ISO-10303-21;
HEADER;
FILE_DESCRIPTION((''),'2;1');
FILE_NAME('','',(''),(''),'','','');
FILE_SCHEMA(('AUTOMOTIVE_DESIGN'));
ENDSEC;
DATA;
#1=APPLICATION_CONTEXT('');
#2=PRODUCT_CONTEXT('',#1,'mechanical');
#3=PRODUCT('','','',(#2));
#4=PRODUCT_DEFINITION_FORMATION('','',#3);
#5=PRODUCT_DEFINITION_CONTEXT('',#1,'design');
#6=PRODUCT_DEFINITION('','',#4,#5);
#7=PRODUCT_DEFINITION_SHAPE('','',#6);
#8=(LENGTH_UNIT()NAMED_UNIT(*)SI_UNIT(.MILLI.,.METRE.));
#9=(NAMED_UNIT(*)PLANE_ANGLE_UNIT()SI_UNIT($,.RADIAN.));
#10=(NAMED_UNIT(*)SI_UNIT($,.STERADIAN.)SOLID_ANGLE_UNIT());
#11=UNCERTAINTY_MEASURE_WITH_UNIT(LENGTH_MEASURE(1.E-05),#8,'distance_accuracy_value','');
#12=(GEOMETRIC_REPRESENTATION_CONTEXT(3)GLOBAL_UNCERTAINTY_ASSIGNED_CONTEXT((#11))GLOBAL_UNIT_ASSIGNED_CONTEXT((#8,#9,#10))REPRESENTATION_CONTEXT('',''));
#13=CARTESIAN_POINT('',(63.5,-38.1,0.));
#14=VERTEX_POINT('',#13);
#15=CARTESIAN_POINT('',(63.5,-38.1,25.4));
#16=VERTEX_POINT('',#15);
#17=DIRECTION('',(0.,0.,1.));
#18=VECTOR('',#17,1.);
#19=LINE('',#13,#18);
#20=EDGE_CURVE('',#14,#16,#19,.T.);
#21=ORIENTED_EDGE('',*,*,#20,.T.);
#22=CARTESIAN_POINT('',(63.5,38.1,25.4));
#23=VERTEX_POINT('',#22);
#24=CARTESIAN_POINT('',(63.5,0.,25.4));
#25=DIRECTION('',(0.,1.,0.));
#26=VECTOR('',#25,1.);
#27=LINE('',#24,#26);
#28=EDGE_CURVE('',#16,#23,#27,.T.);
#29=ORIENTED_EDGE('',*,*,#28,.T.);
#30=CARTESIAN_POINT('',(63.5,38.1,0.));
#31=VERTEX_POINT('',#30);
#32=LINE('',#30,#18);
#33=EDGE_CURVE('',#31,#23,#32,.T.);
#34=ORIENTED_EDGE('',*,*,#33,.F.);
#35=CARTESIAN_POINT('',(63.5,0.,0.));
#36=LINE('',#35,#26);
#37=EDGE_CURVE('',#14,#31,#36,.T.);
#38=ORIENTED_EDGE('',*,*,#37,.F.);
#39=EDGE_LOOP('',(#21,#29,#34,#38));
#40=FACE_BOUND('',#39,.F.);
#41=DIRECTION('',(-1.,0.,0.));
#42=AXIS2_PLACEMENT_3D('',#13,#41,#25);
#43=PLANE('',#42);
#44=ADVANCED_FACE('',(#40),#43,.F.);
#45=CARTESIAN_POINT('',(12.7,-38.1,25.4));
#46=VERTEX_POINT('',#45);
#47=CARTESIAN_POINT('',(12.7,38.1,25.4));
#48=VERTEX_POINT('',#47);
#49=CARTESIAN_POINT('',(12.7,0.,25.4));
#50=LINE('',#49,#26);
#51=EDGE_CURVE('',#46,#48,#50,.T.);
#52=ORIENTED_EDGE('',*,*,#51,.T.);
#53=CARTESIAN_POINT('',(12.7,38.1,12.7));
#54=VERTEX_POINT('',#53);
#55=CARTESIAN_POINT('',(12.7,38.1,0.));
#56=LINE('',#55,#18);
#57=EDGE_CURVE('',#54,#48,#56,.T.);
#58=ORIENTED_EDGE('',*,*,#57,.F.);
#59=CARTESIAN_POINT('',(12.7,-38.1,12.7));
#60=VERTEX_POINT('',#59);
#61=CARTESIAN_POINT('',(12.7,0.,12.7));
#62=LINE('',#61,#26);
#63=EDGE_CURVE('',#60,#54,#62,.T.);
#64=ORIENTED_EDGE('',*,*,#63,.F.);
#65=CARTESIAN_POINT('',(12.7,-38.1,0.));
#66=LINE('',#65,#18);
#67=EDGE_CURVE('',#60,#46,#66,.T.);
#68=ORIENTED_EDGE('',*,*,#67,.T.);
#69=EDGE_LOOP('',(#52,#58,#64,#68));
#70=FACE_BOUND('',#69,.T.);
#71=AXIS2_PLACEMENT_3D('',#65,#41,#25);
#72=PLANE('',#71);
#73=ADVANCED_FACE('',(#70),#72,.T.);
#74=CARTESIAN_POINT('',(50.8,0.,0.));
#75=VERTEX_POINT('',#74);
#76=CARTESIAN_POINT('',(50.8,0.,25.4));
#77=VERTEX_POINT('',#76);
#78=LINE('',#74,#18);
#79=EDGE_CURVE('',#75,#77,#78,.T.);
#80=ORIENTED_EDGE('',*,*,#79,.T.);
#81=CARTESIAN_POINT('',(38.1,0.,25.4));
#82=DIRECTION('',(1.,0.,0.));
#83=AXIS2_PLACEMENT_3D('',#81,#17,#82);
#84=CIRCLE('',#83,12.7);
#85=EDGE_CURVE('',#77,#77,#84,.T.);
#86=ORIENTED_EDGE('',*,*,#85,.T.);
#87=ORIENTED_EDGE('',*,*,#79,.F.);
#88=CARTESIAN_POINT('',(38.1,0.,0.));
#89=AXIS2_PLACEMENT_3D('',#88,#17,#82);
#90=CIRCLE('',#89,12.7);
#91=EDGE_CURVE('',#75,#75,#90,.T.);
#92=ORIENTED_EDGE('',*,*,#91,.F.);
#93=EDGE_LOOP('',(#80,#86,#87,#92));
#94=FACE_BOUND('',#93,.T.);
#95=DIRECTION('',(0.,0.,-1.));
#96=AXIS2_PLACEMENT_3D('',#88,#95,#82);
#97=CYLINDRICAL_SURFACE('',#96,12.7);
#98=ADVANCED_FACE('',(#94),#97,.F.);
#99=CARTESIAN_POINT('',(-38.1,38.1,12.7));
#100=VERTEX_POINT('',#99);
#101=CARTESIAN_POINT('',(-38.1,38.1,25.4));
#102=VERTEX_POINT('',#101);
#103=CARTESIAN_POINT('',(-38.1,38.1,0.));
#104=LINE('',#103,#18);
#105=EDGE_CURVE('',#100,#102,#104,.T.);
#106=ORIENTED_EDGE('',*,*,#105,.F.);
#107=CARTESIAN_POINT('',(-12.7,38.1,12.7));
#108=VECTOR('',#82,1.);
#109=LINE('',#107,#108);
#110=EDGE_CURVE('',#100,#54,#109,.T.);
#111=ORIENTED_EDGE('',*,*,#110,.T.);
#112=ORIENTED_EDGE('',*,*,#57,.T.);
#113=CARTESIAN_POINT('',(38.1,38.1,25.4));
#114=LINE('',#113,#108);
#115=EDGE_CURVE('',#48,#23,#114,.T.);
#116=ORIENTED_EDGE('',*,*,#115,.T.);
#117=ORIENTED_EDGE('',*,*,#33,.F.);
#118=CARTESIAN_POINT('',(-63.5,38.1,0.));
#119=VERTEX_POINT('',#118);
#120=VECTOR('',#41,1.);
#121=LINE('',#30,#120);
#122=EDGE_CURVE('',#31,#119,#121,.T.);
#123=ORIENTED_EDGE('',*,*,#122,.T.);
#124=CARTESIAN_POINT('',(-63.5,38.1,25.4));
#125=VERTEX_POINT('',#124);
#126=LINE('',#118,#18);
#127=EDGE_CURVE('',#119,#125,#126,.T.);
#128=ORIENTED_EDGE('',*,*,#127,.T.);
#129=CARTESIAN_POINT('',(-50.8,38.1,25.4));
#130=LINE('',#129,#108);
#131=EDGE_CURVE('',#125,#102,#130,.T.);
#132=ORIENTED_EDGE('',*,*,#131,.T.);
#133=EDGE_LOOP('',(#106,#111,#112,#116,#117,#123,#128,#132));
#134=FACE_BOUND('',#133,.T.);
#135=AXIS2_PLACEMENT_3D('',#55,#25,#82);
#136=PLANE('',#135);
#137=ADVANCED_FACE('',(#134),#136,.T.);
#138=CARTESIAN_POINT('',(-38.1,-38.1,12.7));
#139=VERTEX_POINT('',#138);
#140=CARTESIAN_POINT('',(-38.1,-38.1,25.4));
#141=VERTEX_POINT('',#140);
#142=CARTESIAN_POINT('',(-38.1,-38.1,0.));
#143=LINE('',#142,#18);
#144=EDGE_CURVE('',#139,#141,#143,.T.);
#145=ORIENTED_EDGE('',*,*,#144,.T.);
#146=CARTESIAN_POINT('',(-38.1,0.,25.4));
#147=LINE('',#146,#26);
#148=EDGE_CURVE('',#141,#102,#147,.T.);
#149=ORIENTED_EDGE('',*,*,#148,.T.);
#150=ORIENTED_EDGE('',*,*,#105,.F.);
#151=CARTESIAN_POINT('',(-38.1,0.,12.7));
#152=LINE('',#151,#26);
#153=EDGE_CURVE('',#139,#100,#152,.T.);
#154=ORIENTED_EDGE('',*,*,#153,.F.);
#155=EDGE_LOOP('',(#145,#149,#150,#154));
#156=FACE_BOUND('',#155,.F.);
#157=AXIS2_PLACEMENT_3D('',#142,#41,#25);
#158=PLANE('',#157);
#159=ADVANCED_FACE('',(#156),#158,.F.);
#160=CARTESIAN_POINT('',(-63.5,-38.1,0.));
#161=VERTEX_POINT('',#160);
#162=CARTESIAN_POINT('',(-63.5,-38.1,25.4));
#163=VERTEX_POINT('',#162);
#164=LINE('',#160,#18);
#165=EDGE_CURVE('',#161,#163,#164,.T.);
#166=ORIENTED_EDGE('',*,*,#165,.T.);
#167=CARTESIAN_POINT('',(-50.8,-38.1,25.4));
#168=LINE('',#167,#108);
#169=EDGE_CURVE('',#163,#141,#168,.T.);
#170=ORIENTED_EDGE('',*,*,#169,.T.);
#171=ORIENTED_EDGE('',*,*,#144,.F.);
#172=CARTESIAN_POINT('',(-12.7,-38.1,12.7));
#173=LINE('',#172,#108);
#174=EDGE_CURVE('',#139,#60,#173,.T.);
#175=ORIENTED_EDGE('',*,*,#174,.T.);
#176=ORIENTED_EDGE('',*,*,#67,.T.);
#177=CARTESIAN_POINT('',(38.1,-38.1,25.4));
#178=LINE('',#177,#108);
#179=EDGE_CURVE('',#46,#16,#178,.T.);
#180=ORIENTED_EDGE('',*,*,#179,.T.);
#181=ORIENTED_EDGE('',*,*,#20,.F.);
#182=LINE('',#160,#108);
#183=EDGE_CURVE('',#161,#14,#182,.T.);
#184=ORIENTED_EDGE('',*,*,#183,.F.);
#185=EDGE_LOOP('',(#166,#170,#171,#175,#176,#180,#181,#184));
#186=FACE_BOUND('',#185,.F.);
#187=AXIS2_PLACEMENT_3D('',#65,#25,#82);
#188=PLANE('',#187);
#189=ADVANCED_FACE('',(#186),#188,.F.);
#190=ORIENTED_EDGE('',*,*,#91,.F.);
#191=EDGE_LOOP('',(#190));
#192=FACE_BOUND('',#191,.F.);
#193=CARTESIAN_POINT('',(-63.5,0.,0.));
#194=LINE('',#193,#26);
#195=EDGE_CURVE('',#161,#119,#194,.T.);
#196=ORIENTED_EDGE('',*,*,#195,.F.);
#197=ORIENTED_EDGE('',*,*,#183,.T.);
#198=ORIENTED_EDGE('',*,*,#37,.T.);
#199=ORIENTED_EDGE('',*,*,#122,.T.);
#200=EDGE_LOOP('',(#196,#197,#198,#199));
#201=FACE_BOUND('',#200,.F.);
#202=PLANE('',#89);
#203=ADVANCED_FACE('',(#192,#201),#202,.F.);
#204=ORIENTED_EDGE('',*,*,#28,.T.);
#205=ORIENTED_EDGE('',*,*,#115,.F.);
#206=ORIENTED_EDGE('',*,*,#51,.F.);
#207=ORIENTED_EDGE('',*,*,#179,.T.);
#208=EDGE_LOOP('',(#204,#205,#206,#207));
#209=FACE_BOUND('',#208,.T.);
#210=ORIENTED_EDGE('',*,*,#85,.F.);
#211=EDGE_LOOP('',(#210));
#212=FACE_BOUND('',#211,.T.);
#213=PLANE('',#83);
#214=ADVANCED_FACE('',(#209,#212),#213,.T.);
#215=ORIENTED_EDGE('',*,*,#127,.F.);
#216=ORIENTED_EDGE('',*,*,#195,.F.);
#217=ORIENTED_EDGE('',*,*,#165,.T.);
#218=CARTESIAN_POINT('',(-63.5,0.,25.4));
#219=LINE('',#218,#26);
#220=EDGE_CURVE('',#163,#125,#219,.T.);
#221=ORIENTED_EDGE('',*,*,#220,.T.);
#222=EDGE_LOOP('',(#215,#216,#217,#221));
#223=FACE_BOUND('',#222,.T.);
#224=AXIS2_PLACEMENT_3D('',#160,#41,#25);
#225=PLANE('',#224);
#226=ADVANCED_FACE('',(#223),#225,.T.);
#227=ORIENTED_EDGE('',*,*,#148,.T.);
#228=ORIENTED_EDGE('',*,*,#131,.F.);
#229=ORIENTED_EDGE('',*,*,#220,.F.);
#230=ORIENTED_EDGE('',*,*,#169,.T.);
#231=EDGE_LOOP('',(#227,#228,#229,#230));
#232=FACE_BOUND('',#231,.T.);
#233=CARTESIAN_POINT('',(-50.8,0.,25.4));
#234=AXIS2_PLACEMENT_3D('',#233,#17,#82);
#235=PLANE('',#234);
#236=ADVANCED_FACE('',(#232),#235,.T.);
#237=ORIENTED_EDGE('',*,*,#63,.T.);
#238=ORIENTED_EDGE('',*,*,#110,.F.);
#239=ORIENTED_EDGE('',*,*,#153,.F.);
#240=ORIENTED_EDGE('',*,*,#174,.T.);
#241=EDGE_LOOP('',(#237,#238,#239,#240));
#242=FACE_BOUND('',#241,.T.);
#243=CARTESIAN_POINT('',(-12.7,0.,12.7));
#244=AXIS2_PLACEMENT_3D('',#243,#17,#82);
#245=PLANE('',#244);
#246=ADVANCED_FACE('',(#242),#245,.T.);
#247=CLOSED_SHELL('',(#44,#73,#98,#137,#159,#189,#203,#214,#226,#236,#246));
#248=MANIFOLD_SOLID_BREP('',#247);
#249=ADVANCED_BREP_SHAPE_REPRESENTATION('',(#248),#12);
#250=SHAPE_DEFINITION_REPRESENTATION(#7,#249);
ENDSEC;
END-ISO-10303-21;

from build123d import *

# Parameters (mm, degrees)
F0_W     = 25.4
F0_H     = 76.2
F1_DEPTH = 25.4
F0_W_2   = 50.8
F2_DEPTH = 12.7
F0_R     = 12.7
F3_DEPTH = 25.4


with BuildPart() as f1:
    # F0 (on Top) → F1 (new body)
    with BuildSketch(Plane.XY):
        with Locations((-50.8, 0)):
            Rectangle(F0_W, F0_H)
    extrude(amount=F1_DEPTH)

    # F0 (on Top) → F2 (join)
    with BuildSketch(Plane.XY):
        with Locations((-12.7, 0)):
            Rectangle(F0_W_2, F0_H)
    extrude(amount=F2_DEPTH)

    # F0 (on Top) → F3 (join)
    with BuildSketch(Plane.XY):
        with Locations((38.1, 0)):
            Rectangle(F0_W_2, F0_H)
        with Locations((38.1, 0)):
            Circle(F0_R, mode=Mode.SUBTRACT)
    extrude(amount=F3_DEPTH)


solid = f1.part
